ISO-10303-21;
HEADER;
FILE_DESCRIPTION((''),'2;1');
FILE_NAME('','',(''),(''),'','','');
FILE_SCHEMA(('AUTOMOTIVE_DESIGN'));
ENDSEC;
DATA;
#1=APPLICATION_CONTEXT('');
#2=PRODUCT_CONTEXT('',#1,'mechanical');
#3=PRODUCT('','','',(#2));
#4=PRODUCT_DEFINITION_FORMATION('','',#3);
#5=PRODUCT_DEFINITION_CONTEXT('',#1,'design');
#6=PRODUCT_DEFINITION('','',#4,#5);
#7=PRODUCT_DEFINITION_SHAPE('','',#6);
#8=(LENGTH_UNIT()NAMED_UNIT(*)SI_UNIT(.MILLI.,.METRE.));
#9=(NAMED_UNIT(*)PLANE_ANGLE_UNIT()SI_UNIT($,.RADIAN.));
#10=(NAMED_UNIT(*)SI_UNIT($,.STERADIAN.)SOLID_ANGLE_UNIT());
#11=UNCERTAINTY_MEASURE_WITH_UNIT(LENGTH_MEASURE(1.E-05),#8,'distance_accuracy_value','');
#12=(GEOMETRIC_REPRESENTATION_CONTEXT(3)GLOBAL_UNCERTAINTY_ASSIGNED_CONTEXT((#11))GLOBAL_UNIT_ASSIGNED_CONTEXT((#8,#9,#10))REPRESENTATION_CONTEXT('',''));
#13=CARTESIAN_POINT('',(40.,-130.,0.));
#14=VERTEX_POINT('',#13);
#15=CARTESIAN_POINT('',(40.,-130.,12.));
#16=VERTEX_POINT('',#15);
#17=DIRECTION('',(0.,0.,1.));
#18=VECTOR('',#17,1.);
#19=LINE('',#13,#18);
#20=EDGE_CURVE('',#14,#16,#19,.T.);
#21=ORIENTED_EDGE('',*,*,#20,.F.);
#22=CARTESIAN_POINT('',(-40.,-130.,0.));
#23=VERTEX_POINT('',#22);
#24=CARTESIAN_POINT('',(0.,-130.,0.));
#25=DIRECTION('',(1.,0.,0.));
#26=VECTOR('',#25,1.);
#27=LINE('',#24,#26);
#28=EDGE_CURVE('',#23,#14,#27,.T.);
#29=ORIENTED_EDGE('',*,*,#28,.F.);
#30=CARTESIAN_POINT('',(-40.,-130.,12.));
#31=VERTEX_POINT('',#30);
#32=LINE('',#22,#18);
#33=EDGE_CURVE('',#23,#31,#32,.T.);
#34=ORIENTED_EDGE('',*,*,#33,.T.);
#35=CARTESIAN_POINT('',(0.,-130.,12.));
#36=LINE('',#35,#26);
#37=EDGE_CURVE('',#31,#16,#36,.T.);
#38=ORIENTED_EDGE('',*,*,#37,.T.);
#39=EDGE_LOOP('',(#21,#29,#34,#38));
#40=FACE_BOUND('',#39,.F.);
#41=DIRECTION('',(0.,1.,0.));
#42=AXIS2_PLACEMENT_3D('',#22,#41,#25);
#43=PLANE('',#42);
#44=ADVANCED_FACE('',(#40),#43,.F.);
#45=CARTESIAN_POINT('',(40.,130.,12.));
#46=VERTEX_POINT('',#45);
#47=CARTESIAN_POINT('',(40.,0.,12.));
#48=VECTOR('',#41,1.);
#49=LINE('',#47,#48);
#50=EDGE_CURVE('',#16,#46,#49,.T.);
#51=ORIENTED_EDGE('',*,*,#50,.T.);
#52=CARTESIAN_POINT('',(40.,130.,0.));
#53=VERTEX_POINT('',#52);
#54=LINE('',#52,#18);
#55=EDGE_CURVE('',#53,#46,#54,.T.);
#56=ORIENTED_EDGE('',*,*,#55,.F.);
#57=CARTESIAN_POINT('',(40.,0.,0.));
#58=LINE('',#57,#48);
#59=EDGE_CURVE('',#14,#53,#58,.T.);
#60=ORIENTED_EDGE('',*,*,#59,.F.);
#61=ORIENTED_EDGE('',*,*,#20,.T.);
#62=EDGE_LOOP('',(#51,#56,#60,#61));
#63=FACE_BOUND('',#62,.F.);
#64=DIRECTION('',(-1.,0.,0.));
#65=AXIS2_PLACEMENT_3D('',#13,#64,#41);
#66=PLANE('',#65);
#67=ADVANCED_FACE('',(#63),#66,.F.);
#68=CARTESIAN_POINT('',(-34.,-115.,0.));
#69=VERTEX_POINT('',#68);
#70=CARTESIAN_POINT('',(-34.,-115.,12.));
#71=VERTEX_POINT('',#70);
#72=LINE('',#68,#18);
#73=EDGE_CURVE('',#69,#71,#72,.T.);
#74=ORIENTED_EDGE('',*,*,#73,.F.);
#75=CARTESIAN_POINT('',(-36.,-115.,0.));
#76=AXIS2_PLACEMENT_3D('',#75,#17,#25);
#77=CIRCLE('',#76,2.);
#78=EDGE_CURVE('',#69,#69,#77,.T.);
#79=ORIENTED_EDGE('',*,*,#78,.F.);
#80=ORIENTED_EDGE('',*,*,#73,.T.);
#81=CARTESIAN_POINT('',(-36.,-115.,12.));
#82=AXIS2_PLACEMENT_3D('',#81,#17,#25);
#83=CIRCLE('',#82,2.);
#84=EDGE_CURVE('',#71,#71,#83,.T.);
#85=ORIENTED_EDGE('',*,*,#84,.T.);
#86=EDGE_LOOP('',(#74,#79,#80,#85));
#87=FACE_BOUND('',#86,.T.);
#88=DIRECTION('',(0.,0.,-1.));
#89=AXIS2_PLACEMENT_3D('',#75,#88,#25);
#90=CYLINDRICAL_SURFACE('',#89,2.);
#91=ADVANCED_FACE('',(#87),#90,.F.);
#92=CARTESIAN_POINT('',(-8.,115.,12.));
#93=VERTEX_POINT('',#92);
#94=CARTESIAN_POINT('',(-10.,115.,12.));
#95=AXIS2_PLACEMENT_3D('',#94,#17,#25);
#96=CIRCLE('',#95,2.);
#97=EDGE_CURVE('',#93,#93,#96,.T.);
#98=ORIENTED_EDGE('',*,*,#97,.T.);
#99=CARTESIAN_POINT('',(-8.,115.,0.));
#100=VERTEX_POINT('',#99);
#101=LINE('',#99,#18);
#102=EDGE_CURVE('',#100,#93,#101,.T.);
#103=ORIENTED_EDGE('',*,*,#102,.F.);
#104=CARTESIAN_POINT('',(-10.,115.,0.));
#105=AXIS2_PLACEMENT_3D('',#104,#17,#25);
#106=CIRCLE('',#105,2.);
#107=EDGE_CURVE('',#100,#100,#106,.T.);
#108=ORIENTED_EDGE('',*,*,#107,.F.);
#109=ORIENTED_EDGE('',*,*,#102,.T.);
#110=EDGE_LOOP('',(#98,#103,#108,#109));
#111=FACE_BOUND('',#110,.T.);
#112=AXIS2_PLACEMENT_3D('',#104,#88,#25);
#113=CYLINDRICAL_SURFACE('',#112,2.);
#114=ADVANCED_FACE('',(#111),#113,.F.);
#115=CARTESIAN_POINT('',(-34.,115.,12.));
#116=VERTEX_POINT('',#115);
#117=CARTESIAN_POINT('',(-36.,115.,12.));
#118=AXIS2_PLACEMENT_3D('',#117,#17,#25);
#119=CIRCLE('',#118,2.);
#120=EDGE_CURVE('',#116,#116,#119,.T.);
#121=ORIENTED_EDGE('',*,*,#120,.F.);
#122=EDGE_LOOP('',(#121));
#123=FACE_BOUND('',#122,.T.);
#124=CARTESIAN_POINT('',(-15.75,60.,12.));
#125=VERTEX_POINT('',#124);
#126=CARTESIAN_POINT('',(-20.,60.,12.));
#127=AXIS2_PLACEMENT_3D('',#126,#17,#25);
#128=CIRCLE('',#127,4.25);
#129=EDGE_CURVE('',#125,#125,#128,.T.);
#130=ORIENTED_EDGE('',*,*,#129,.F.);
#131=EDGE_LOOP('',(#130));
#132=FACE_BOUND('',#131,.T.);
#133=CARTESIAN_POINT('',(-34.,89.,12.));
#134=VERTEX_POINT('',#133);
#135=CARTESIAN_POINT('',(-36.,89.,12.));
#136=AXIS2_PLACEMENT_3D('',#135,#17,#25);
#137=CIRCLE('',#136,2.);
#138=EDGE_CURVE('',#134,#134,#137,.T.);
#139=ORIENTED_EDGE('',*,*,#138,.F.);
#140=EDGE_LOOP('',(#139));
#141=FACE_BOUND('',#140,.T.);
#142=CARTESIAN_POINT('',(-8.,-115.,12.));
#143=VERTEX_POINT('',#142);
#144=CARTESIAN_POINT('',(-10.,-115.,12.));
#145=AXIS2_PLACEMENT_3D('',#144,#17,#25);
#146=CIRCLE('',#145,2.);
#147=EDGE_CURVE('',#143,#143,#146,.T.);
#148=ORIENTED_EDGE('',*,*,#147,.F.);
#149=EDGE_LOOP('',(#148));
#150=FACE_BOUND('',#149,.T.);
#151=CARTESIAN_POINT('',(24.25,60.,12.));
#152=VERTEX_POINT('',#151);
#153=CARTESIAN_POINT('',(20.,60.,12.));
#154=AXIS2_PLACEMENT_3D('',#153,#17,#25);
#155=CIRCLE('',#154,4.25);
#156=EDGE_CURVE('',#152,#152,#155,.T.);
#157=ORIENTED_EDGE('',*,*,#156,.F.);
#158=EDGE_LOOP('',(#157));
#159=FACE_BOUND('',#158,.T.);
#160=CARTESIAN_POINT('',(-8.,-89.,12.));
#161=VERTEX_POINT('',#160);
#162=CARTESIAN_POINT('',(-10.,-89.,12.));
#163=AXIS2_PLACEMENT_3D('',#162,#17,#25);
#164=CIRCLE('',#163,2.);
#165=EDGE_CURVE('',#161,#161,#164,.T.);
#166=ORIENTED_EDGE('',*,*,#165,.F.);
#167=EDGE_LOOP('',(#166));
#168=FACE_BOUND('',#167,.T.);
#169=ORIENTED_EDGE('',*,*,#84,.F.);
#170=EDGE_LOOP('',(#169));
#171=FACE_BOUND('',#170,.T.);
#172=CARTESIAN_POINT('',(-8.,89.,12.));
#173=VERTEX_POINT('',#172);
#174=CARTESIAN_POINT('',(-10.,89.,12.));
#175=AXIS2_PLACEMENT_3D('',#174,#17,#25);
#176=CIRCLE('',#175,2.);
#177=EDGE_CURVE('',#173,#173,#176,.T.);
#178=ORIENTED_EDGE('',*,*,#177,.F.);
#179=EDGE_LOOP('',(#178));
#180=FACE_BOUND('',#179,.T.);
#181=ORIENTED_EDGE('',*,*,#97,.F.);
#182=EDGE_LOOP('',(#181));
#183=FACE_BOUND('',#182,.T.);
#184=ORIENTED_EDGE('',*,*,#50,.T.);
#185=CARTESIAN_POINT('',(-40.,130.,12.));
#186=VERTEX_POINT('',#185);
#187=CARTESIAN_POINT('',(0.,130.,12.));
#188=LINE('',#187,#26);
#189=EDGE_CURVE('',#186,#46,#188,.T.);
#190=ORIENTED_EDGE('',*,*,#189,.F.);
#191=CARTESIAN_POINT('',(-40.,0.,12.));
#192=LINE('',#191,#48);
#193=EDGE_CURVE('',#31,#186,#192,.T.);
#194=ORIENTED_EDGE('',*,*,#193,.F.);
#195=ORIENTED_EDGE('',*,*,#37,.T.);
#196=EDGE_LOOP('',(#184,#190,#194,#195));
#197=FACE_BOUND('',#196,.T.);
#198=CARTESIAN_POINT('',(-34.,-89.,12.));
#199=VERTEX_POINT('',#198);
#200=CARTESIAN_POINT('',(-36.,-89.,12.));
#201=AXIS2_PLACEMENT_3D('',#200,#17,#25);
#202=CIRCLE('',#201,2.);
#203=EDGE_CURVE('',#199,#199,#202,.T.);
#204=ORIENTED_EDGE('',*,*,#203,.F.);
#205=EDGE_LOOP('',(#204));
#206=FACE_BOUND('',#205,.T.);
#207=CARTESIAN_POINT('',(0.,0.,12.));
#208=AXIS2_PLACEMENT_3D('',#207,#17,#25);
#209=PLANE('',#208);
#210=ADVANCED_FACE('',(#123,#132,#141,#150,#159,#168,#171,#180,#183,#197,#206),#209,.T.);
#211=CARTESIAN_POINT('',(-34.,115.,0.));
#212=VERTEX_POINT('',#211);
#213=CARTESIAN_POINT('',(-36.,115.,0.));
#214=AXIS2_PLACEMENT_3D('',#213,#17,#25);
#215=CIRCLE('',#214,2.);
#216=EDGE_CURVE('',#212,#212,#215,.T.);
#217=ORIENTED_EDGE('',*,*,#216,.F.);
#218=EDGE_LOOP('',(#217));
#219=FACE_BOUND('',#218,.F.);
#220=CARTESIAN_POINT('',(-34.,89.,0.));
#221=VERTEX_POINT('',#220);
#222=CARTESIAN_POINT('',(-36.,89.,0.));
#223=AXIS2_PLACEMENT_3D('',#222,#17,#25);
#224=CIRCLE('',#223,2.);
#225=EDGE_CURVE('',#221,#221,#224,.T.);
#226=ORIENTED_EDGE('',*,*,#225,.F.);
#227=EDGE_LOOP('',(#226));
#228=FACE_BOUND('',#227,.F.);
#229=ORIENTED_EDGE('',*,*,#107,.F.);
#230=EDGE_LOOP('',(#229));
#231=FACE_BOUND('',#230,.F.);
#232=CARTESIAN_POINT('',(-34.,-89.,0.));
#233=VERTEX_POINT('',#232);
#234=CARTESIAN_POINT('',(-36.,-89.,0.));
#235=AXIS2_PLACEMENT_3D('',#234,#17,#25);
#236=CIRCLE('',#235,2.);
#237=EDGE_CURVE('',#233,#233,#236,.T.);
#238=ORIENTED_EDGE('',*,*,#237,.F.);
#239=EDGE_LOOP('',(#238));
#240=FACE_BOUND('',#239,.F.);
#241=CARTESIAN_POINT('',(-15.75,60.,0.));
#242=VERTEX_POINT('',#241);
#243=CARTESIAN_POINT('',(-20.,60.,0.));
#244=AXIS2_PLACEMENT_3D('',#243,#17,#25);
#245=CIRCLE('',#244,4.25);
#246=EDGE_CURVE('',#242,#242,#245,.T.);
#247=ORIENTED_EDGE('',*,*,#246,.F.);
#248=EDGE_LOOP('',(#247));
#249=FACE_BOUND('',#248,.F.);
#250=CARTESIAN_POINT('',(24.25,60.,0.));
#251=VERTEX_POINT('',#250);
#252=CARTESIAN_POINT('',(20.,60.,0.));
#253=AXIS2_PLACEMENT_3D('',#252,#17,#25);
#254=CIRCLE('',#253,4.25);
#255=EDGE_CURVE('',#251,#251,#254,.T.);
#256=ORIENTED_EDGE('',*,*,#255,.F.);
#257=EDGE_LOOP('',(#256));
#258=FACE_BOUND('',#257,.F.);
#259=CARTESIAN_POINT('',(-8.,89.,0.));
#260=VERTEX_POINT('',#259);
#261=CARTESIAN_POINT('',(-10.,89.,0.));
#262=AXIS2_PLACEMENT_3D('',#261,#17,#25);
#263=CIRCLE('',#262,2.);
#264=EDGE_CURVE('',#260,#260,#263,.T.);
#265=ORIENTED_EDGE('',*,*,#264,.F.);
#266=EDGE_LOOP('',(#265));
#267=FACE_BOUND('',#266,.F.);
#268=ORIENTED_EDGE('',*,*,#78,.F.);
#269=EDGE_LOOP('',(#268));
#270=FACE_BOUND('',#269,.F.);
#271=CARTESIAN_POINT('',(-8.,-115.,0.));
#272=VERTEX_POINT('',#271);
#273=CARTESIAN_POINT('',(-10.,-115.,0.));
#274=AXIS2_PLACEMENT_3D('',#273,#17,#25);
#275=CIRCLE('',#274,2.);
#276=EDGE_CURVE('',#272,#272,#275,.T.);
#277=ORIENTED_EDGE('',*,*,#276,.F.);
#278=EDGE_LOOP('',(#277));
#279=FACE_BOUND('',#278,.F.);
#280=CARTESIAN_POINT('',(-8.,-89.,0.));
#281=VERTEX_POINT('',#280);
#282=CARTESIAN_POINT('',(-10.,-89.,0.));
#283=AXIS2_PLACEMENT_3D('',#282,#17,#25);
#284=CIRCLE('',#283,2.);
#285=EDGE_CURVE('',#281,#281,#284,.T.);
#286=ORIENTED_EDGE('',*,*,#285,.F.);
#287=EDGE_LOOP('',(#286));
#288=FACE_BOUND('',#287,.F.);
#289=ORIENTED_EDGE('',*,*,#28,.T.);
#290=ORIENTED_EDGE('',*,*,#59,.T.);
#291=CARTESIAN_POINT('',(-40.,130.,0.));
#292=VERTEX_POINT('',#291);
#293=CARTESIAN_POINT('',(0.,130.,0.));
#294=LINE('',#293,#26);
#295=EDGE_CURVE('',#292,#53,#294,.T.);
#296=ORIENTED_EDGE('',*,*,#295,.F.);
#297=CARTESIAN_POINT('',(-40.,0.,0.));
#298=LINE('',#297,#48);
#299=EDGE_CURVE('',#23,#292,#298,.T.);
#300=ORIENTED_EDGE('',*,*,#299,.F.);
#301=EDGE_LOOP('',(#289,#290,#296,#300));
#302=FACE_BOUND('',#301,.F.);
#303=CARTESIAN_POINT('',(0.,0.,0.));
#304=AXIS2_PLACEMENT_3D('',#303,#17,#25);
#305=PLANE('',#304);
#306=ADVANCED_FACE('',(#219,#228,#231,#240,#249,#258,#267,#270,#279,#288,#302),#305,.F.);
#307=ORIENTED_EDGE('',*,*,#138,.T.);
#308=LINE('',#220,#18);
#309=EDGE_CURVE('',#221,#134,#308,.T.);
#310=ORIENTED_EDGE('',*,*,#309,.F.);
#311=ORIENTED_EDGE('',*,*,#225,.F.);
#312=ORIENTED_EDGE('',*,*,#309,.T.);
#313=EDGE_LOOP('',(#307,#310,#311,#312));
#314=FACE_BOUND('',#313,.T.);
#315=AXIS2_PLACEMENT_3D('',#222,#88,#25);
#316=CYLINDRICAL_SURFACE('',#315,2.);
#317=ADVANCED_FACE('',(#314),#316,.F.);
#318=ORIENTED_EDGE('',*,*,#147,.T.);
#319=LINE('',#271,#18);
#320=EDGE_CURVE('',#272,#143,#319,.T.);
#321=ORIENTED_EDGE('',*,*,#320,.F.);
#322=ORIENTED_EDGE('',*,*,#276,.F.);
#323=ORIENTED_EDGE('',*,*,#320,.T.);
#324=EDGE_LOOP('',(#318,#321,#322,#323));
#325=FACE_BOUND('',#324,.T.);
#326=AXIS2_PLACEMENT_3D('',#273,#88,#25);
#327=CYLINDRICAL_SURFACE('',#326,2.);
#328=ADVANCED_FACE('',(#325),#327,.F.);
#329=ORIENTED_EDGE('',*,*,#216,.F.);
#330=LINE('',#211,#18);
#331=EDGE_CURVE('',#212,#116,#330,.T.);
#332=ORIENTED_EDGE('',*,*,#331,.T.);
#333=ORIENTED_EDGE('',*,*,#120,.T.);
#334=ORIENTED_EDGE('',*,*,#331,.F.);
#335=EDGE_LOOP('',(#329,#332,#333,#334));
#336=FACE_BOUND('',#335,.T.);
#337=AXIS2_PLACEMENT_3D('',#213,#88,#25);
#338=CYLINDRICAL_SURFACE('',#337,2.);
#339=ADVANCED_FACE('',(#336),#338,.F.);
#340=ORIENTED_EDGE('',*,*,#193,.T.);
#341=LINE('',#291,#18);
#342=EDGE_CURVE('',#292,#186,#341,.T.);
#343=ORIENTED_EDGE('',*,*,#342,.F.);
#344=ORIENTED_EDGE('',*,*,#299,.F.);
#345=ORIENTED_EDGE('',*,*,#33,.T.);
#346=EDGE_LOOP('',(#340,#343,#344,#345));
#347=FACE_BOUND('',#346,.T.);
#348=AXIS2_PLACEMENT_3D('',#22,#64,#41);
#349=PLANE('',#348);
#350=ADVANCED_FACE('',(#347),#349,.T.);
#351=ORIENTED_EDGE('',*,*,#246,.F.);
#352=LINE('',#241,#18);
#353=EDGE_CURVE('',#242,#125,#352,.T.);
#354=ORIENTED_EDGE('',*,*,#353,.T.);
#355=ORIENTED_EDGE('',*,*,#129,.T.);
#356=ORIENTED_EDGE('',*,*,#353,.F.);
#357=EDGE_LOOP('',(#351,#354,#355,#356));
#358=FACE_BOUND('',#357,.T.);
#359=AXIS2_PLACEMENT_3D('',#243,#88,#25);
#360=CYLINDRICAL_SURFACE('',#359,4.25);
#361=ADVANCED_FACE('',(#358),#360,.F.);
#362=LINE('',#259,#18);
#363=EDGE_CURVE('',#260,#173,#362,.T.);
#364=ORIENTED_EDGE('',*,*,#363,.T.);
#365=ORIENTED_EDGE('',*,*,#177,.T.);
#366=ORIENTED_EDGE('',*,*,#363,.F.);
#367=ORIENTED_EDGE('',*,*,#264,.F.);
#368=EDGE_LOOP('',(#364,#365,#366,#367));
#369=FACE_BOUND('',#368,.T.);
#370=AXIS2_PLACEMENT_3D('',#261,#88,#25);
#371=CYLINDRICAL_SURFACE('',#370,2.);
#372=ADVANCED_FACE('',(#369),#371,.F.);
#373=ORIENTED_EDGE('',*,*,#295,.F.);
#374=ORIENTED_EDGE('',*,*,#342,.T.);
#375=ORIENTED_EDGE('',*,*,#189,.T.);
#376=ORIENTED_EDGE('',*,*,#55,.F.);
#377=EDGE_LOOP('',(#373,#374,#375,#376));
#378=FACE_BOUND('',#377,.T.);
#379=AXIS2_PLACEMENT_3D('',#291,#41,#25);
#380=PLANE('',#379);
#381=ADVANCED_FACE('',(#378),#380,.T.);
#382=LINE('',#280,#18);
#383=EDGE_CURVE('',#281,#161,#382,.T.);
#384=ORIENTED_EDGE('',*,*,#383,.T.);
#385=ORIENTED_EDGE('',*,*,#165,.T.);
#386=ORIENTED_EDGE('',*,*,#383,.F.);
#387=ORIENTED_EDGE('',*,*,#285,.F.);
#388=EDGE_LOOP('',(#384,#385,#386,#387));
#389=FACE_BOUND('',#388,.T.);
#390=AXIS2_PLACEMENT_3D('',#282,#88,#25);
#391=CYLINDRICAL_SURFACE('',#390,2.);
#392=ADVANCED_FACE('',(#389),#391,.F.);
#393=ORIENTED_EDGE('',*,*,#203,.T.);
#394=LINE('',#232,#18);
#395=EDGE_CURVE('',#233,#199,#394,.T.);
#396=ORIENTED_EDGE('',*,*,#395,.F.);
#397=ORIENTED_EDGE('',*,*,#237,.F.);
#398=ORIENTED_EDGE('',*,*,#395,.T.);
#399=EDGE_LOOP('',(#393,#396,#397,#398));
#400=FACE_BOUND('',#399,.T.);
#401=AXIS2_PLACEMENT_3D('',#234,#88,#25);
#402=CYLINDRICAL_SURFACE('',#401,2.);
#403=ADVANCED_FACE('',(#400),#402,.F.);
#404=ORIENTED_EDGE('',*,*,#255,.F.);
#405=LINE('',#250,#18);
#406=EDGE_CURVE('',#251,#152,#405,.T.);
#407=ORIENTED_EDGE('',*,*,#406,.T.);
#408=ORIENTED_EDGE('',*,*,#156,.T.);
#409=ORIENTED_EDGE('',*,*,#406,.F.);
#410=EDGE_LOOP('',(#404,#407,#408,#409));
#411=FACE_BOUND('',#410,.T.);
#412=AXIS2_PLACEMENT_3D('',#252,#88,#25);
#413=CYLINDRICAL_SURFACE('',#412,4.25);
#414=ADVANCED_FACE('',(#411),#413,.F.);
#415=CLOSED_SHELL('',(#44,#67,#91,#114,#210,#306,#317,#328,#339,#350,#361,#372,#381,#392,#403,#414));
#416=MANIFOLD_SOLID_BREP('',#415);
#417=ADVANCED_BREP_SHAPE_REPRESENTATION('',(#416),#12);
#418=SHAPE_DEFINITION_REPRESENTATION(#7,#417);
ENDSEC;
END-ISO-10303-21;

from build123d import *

# Parameters (mm, degrees)
F0_W     = 80
F0_H     = 260
F0_R     = 2
F0_R_2   = 4.25
F1_DEPTH = 12


with BuildPart() as f1:
    # F0 (on Top) → F1 (new body)
    with BuildSketch(Plane.XY):
        Rectangle(F0_W, F0_H)
        with Locations((-36, -115)):
            Circle(F0_R, mode=Mode.SUBTRACT)
        with Locations((-36, -89)):
            Circle(F0_R, mode=Mode.SUBTRACT)
        with Locations((-10, -115)):
            Circle(F0_R, mode=Mode.SUBTRACT)
        with Locations((-10, -89)):
            Circle(F0_R, mode=Mode.SUBTRACT)
        with Locations((-20, 60)):
            Circle(F0_R_2, mode=Mode.SUBTRACT)
        with Locations((-36, 89)):
            Circle(F0_R, mode=Mode.SUBTRACT)
        with Locations((-36, 115)):
            Circle(F0_R, mode=Mode.SUBTRACT)
        with Locations((-10, 89)):
            Circle(F0_R, mode=Mode.SUBTRACT)
        with Locations((-10, 115)):
            Circle(F0_R, mode=Mode.SUBTRACT)
        with Locations((20, 60)):
            Circle(F0_R_2, mode=Mode.SUBTRACT)
    extrude(amount=F1_DEPTH)


solid = f1.part
